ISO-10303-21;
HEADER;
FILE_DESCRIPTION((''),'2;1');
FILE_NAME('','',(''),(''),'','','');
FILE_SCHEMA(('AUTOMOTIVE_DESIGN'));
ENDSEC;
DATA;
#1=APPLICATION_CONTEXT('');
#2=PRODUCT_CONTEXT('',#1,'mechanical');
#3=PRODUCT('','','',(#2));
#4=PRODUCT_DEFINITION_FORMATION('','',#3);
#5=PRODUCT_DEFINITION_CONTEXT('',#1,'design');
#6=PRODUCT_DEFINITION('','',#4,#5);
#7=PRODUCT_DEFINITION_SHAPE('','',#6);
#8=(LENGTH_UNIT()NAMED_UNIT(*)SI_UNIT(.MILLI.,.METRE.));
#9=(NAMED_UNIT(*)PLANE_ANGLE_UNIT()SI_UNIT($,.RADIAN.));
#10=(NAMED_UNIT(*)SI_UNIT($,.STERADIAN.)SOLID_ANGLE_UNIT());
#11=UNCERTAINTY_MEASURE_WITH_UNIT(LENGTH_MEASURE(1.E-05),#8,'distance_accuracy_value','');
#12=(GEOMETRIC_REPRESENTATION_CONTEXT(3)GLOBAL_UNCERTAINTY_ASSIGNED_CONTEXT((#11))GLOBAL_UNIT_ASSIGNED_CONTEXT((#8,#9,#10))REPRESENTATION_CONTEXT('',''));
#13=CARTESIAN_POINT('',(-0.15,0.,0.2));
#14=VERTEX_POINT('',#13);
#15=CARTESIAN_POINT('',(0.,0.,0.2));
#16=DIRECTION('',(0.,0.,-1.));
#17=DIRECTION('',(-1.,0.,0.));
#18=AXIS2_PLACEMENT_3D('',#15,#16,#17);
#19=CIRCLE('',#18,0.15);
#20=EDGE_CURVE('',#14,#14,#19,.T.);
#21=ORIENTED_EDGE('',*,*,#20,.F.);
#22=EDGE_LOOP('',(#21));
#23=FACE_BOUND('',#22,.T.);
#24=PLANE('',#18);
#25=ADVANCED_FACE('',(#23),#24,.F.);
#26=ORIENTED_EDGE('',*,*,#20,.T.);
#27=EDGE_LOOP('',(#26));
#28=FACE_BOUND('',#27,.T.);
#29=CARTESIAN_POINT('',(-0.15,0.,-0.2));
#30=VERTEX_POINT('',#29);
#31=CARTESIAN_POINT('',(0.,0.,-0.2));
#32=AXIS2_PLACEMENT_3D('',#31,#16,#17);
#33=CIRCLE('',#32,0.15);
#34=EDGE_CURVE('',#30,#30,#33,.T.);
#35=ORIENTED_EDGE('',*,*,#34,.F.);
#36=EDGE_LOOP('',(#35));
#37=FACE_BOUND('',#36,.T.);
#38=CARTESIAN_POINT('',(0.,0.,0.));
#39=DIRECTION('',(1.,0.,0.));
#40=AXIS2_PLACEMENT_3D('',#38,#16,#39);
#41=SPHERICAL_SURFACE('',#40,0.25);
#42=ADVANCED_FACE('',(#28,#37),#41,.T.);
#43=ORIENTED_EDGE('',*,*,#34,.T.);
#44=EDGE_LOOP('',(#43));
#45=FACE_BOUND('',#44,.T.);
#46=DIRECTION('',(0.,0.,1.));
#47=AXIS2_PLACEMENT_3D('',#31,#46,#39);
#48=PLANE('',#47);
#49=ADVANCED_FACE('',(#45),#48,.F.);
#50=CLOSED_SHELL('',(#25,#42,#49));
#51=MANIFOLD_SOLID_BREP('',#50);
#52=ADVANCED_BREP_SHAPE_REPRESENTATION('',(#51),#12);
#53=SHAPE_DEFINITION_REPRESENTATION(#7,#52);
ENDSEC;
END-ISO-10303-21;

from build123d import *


with BuildPart() as part:
    # Sketch1 → Revolve1 (revolve)
    with BuildSketch(Plane(origin=(0, 0, 0), x_dir=(1, 0, 0), z_dir=(0, 1, 0))):
        with BuildLine():
            Line((0, 0.2), (0, -0.2))
            Line((0, -0.2), (0.15, -0.2))
            ThreePointArc((0.15, -0.2), (0.25, 0), (0.15, 0.2))
            Line((0.15, 0.2), (0, 0.2))
        make_face()
    revolve(axis=Axis((0, 0, -0.2), (0, 0, 1)))


solid = part.part
